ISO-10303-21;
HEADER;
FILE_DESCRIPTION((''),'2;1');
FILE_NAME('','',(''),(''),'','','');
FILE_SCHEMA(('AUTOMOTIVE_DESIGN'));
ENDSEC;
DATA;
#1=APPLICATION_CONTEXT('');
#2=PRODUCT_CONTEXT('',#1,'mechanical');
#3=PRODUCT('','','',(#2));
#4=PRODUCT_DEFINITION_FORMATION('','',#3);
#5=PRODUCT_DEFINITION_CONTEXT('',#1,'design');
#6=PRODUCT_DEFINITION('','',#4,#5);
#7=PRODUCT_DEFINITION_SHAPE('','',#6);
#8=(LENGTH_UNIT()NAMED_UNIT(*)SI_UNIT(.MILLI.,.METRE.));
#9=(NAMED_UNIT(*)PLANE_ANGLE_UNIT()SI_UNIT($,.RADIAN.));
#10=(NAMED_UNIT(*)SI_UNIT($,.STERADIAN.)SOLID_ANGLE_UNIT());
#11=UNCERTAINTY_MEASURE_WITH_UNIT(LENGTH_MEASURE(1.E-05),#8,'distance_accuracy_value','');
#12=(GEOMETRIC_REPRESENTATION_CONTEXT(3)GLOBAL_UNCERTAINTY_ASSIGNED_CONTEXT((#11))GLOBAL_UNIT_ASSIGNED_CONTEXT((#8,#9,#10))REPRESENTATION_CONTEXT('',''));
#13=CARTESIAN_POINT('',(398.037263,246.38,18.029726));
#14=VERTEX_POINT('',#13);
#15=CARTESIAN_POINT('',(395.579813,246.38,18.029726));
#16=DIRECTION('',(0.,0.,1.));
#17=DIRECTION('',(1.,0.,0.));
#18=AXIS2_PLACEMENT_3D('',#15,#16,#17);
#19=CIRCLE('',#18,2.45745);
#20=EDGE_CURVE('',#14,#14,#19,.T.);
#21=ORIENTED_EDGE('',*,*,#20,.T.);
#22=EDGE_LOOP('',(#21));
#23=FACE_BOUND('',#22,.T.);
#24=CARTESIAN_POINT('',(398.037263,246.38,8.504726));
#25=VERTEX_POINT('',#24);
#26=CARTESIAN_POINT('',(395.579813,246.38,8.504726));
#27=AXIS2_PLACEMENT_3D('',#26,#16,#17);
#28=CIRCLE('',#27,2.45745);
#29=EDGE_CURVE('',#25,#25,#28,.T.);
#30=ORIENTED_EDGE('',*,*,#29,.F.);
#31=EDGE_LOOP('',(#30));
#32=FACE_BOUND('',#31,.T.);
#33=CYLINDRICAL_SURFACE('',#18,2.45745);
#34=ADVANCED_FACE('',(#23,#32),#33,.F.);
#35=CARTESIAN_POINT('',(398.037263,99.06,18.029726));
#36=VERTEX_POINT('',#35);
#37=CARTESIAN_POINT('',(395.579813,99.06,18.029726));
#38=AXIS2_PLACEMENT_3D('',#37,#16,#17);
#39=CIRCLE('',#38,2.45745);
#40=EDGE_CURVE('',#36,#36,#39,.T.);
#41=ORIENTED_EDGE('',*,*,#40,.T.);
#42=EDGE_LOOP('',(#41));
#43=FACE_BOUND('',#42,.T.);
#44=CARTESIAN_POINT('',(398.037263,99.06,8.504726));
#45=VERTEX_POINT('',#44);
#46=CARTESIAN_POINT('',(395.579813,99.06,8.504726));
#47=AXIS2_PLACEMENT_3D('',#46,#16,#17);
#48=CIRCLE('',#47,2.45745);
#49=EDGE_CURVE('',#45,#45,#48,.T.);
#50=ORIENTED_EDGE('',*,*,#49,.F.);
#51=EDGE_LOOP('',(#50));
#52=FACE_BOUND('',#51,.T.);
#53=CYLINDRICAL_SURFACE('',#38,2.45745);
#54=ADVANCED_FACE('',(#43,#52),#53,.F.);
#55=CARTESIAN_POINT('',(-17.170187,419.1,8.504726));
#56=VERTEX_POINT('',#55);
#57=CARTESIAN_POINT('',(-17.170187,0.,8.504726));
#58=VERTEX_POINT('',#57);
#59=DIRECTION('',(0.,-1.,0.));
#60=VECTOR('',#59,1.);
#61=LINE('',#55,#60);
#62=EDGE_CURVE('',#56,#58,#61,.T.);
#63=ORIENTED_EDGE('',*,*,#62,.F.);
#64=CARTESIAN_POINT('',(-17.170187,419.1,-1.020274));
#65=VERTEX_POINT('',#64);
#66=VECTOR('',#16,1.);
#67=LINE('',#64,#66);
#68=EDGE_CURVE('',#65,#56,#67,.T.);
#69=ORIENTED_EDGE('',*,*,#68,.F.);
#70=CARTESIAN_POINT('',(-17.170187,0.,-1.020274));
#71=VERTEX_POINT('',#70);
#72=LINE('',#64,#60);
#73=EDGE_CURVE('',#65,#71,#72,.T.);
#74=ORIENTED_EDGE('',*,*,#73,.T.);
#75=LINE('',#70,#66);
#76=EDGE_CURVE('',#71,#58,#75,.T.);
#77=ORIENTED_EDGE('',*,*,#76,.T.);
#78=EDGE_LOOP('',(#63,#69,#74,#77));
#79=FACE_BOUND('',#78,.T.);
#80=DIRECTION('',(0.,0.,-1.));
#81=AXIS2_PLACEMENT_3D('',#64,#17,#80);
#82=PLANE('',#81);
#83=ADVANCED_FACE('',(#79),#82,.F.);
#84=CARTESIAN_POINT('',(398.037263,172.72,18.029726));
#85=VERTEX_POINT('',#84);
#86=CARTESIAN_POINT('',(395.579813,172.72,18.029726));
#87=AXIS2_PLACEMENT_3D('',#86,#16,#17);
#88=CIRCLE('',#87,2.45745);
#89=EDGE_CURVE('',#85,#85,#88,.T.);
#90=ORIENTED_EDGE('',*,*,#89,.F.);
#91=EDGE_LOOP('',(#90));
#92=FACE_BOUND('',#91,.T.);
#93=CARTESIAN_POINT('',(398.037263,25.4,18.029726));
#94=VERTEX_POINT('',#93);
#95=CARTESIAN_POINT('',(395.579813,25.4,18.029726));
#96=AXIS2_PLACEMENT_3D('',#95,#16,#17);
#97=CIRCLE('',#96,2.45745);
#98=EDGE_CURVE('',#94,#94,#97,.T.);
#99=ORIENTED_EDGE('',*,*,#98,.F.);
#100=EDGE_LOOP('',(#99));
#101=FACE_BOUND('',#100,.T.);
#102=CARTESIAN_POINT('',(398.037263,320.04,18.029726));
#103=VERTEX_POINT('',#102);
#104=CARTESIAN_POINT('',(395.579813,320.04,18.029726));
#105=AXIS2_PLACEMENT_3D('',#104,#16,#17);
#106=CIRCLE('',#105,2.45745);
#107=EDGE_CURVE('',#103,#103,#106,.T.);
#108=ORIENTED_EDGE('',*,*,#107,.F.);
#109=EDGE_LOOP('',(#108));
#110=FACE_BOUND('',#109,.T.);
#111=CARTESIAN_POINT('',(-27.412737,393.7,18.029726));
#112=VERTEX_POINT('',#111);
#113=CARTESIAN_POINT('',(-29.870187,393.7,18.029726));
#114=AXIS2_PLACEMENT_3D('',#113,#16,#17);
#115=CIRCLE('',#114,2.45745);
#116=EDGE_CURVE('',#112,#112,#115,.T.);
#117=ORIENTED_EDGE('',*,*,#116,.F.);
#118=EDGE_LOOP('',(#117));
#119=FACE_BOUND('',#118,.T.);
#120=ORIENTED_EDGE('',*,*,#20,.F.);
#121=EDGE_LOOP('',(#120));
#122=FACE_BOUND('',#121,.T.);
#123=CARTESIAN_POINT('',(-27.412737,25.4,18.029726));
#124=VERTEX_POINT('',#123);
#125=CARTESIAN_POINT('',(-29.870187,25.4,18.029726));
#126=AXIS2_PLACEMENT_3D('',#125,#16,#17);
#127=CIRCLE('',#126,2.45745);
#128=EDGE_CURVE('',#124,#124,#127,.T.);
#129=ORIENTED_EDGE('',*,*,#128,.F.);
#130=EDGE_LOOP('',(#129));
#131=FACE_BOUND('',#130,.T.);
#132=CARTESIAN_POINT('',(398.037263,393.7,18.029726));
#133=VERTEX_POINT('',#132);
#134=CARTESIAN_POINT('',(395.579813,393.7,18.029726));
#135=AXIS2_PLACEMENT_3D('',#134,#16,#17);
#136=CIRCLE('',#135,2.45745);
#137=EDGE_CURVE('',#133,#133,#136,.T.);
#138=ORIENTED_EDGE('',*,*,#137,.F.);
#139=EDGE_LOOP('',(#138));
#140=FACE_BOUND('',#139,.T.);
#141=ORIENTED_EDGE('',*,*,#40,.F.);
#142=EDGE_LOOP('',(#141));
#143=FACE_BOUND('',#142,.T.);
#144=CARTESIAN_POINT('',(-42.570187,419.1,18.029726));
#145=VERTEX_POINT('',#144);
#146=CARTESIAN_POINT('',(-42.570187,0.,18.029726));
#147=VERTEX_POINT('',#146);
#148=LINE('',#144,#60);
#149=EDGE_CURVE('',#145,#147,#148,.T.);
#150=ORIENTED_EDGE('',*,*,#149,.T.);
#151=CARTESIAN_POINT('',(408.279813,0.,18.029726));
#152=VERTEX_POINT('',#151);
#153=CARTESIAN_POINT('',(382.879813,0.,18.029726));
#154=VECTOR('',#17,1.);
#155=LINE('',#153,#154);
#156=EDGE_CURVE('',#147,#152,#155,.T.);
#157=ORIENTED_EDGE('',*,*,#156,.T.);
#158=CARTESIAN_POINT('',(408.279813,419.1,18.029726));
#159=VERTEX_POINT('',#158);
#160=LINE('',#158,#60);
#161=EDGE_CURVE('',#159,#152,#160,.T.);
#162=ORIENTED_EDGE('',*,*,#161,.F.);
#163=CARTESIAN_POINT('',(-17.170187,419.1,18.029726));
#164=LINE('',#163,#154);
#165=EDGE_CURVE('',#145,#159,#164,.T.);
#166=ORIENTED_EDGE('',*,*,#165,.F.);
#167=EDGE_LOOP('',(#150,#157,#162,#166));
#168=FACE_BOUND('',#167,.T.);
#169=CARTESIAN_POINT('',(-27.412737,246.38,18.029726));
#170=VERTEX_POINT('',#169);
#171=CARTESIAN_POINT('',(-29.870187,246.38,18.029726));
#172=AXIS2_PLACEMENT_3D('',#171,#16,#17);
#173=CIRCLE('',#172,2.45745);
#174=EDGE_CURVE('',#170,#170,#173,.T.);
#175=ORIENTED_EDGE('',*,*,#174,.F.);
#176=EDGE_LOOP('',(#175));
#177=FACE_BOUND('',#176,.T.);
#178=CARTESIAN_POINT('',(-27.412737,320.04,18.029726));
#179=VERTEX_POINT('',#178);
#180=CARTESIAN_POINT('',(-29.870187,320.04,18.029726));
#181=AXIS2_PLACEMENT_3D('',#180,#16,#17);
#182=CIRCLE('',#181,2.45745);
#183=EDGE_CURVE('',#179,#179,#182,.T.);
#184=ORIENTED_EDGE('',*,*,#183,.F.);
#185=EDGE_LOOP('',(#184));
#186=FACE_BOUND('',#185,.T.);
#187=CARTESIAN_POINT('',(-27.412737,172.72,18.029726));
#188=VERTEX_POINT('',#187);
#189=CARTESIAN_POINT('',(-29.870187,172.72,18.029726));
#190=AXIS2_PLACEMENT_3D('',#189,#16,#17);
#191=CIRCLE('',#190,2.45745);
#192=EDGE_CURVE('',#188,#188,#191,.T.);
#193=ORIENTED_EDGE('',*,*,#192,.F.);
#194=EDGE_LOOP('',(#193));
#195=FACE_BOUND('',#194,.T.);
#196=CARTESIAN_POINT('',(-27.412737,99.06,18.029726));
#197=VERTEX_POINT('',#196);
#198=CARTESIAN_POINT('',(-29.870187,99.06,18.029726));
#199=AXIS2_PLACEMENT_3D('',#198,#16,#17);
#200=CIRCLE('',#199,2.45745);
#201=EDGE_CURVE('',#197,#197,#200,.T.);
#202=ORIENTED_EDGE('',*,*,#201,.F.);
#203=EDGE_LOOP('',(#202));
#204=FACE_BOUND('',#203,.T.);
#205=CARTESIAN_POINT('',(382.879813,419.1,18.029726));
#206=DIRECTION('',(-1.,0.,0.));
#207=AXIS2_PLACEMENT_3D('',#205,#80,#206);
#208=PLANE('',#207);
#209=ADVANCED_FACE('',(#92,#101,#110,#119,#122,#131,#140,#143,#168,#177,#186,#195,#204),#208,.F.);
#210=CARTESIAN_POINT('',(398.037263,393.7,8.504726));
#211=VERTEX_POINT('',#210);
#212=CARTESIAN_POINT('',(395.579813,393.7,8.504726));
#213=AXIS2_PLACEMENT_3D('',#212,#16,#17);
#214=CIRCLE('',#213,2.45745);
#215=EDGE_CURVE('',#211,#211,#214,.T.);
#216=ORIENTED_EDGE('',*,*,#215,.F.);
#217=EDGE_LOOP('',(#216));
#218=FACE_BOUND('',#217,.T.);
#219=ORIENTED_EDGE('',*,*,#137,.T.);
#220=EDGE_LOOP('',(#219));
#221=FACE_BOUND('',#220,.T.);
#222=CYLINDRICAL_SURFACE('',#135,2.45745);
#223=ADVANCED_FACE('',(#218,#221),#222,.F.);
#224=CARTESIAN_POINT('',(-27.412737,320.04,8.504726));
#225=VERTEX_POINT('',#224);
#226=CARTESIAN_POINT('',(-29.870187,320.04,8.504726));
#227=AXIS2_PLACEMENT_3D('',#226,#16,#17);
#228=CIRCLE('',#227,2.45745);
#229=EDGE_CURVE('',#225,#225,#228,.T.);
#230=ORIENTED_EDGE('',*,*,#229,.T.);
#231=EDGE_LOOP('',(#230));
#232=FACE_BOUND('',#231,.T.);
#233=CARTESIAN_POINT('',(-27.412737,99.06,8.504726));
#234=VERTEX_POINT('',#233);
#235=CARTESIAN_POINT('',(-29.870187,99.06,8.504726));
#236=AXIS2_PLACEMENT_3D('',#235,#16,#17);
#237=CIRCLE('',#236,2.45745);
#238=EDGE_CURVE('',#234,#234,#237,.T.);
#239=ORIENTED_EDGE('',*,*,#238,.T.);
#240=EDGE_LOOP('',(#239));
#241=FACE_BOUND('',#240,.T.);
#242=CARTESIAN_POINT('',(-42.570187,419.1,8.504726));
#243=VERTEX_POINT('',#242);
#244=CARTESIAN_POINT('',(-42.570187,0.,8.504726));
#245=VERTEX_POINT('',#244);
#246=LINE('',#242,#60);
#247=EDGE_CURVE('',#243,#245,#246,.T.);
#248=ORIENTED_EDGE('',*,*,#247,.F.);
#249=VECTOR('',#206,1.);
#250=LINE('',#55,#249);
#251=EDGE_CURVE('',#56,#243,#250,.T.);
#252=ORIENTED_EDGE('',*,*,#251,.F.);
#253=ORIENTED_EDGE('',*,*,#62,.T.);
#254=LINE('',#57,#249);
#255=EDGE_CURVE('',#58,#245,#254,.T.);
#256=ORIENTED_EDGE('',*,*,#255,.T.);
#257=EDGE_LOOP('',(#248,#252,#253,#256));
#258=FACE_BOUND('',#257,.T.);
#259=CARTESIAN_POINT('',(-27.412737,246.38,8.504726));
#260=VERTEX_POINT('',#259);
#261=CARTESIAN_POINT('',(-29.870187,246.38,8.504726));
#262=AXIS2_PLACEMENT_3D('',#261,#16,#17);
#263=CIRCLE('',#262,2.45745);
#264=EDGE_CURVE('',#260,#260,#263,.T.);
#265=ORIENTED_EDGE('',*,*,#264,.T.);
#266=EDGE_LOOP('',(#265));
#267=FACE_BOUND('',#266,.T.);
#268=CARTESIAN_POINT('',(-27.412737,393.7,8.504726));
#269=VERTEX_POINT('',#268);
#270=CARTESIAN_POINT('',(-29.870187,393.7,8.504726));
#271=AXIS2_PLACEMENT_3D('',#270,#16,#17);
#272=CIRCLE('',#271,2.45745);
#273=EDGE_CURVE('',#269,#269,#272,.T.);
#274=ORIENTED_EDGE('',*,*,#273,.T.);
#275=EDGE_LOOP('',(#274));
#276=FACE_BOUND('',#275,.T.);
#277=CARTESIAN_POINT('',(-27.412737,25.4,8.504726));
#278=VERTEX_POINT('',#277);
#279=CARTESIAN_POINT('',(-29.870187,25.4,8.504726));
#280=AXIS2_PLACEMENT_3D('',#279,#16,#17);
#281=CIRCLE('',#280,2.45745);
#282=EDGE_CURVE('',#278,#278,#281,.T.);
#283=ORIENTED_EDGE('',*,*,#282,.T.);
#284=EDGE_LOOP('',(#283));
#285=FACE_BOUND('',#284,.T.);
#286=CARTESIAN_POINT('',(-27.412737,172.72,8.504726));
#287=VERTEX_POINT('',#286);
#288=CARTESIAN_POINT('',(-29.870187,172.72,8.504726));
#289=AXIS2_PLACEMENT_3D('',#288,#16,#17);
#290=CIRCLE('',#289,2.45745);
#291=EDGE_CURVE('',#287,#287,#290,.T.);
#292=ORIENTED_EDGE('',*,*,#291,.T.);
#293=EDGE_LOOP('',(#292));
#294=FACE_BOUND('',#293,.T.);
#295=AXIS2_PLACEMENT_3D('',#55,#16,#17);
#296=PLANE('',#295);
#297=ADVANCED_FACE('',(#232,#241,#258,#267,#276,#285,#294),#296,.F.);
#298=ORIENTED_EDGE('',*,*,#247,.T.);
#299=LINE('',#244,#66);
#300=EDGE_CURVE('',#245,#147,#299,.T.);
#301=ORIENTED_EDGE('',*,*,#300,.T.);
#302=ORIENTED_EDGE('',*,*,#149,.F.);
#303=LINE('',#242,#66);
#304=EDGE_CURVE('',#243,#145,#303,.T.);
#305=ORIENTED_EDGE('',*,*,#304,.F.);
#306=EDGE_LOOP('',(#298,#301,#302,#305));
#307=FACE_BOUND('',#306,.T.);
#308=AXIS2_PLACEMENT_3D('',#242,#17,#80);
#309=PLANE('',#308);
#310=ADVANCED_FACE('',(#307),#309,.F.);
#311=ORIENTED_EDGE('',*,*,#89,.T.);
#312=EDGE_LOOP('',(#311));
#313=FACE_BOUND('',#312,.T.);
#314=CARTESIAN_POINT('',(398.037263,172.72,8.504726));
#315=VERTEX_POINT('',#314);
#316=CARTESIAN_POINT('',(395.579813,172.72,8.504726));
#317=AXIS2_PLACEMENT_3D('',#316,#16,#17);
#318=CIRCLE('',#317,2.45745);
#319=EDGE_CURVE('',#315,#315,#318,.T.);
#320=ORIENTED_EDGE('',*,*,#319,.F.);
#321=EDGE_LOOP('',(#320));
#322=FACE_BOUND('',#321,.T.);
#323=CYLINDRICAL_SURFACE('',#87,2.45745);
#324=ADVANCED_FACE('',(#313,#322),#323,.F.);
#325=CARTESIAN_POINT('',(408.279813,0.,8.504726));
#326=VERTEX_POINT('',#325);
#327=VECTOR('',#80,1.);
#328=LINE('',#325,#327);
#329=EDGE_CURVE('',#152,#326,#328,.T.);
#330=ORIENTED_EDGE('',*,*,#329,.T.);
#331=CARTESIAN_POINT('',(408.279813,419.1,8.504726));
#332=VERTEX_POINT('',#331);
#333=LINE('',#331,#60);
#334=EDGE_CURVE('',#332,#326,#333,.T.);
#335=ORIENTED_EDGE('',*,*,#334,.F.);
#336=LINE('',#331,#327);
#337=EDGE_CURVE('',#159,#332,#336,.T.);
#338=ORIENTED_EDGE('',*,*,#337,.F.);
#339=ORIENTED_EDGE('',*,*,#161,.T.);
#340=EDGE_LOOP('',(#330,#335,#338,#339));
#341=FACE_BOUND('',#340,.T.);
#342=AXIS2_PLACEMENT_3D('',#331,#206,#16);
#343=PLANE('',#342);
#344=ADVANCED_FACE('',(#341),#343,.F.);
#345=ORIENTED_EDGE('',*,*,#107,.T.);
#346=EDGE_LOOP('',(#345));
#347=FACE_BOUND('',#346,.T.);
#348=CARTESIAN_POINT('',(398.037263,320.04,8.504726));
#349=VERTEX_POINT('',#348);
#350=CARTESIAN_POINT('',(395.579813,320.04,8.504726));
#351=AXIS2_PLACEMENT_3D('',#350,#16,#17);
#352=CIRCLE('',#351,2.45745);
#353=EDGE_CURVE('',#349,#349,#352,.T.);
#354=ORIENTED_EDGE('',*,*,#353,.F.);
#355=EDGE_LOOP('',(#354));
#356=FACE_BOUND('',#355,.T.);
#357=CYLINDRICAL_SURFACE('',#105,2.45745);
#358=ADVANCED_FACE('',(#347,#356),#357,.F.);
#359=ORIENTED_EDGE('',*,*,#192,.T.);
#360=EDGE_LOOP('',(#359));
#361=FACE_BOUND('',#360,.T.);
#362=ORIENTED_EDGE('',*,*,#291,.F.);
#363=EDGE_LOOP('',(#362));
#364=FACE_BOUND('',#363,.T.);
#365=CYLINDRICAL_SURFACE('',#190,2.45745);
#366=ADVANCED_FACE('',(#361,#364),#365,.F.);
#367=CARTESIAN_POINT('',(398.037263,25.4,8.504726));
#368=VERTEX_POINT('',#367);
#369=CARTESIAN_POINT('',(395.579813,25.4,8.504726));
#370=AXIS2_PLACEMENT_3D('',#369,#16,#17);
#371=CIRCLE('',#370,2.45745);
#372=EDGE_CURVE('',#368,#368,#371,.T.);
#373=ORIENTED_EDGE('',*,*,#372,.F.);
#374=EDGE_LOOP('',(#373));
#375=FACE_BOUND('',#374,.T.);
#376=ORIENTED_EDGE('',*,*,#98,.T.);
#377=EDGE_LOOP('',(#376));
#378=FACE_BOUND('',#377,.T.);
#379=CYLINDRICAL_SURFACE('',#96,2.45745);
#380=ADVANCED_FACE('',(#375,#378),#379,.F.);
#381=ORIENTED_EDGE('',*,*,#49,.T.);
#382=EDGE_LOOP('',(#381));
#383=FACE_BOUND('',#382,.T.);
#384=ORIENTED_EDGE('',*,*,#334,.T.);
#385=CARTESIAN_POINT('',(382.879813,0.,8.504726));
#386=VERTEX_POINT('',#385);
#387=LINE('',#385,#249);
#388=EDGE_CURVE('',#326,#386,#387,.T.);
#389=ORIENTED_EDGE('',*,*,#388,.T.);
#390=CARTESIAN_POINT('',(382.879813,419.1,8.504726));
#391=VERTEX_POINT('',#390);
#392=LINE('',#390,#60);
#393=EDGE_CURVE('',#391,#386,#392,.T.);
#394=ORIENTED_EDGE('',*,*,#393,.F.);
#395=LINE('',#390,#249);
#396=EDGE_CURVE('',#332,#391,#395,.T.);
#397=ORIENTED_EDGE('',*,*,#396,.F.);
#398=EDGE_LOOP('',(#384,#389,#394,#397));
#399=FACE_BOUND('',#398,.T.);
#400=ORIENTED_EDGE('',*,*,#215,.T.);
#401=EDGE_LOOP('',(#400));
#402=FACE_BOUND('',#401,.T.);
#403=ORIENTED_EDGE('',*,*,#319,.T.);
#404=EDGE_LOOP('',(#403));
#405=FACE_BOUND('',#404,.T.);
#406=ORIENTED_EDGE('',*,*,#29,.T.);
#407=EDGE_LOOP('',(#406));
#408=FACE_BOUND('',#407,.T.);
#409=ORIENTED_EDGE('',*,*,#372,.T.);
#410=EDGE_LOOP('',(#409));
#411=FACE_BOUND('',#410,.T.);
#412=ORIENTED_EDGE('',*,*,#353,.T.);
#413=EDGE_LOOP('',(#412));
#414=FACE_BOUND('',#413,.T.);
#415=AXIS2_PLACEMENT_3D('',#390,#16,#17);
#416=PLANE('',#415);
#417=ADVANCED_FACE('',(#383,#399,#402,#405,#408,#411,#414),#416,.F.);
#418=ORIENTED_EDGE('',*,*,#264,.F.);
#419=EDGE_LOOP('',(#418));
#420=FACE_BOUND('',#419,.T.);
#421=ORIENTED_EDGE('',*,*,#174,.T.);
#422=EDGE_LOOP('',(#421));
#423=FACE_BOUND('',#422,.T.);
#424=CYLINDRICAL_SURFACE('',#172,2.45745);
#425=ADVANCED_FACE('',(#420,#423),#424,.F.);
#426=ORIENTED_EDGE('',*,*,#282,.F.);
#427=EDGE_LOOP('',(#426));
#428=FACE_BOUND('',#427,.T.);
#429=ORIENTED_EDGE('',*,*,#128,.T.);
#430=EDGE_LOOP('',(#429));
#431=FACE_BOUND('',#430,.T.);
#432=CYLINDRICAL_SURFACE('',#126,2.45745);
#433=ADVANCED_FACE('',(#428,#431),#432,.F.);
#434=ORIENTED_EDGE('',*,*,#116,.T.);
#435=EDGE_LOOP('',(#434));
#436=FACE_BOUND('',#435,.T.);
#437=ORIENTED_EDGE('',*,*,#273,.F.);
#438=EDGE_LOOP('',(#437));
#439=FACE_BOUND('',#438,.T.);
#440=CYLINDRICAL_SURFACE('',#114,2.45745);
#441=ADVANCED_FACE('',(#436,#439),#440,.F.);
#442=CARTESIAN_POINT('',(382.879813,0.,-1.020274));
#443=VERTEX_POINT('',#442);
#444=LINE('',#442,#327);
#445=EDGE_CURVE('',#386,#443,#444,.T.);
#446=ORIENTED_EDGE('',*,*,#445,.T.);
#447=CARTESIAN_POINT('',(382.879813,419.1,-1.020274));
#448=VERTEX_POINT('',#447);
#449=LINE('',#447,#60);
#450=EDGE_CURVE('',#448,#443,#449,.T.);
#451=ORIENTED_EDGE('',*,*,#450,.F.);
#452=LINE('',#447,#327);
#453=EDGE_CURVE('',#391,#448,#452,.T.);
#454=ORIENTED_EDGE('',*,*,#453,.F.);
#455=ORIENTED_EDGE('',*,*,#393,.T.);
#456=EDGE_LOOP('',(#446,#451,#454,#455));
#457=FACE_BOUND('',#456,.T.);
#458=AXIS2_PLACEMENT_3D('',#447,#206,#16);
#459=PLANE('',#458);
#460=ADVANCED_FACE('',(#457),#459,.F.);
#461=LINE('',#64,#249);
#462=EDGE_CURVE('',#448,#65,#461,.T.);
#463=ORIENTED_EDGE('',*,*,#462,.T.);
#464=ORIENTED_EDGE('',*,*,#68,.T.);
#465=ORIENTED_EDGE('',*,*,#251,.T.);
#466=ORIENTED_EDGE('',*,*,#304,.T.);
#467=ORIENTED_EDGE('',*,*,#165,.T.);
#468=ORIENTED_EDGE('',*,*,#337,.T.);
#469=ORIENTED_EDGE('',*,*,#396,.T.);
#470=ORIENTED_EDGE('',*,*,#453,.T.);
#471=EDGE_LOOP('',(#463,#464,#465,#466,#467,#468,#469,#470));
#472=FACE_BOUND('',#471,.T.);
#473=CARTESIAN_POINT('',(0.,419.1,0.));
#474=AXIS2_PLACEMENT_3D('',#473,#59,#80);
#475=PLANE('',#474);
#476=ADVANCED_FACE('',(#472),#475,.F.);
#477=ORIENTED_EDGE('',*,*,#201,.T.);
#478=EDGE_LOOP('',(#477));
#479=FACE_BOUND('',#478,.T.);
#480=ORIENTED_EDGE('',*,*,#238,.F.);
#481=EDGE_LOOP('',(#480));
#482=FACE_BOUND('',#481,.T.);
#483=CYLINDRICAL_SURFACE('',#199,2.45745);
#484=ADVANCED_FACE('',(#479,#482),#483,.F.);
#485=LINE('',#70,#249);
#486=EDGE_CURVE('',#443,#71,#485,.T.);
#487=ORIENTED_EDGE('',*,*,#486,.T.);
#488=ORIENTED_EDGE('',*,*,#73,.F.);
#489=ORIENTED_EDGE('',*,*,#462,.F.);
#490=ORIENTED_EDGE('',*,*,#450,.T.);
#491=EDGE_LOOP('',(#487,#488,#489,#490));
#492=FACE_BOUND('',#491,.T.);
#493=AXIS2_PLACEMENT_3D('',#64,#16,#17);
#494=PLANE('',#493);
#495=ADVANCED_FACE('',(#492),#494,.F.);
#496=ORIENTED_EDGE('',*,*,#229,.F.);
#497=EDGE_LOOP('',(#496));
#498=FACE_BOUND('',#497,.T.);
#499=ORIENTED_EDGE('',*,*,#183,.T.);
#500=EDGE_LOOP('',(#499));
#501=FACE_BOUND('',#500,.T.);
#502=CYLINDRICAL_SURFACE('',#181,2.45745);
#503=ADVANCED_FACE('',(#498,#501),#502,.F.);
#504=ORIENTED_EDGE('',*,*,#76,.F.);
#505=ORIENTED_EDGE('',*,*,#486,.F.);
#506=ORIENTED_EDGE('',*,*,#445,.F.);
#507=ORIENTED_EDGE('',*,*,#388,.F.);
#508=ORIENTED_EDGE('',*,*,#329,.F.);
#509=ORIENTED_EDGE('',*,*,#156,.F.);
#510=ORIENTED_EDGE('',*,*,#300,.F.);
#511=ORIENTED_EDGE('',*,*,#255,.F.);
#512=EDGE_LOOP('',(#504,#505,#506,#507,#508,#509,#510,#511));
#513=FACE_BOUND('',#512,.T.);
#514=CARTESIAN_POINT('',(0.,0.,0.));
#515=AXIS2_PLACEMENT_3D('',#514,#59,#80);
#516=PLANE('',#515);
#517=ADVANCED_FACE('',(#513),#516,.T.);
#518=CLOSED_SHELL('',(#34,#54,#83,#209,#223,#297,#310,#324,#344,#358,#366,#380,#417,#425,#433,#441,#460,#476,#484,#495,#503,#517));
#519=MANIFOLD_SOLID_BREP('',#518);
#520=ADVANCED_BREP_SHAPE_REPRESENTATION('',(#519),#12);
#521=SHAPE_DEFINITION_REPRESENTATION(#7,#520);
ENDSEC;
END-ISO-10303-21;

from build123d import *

# Parameters (mm, degrees)
BOSS_EXTRUDE1_DEPTH       = 419.1
F_8_CLEARANCE_HOLE1_D     = 4.9149
F_8_CLEARANCE_HOLE1_DEPTH = 9.652
F_8_CLEARANCE_HOLE1_TIP   = 1.476584928


with BuildPart() as part:
    # Sketch1 → Boss-Extrude1 (new body)
    with BuildSketch(Plane(origin=(0, 0, 0), x_dir=(1, 0, 0), z_dir=(0, 1, 0))):
        Polygon((-17.170187141, 1.020273681), (382.879812859, 1.020273681), (382.879812859, -8.504726319), (408.279812859, -8.504726319), (408.279812859, -18.029726319), (382.879812859, -18.029726319), (-17.170187141, -18.029726319), (-42.570187141, -18.029726319), (-42.570187141, -8.504726319), (-17.170187141, -8.504726319), align=None)
    extrude(amount=BOSS_EXTRUDE1_DEPTH)

    # #8 Clearance Hole1
    with Locations(Plane.XY.offset(18.029726319)):
        with Locations((-29.870187141, 393.7), (-29.870187141, 320.04), (-29.870187141, 246.38), (-29.870187141, 172.72), (-29.870187141, 99.06), (-29.870187141, 25.4), (395.579812859, 25.4), (395.579812859, 99.06), (395.579812859, 172.72), (395.579812859, 246.38), (395.579812859, 320.04), (395.579812859, 393.7)):
            Hole(F_8_CLEARANCE_HOLE1_D / 2, depth=F_8_CLEARANCE_HOLE1_DEPTH)
            with Locations((0, 0, -(F_8_CLEARANCE_HOLE1_DEPTH + F_8_CLEARANCE_HOLE1_TIP / 2))):  # 118° drill point
                Cone(0, F_8_CLEARANCE_HOLE1_D / 2, F_8_CLEARANCE_HOLE1_TIP, mode=Mode.SUBTRACT)


solid = part.part
